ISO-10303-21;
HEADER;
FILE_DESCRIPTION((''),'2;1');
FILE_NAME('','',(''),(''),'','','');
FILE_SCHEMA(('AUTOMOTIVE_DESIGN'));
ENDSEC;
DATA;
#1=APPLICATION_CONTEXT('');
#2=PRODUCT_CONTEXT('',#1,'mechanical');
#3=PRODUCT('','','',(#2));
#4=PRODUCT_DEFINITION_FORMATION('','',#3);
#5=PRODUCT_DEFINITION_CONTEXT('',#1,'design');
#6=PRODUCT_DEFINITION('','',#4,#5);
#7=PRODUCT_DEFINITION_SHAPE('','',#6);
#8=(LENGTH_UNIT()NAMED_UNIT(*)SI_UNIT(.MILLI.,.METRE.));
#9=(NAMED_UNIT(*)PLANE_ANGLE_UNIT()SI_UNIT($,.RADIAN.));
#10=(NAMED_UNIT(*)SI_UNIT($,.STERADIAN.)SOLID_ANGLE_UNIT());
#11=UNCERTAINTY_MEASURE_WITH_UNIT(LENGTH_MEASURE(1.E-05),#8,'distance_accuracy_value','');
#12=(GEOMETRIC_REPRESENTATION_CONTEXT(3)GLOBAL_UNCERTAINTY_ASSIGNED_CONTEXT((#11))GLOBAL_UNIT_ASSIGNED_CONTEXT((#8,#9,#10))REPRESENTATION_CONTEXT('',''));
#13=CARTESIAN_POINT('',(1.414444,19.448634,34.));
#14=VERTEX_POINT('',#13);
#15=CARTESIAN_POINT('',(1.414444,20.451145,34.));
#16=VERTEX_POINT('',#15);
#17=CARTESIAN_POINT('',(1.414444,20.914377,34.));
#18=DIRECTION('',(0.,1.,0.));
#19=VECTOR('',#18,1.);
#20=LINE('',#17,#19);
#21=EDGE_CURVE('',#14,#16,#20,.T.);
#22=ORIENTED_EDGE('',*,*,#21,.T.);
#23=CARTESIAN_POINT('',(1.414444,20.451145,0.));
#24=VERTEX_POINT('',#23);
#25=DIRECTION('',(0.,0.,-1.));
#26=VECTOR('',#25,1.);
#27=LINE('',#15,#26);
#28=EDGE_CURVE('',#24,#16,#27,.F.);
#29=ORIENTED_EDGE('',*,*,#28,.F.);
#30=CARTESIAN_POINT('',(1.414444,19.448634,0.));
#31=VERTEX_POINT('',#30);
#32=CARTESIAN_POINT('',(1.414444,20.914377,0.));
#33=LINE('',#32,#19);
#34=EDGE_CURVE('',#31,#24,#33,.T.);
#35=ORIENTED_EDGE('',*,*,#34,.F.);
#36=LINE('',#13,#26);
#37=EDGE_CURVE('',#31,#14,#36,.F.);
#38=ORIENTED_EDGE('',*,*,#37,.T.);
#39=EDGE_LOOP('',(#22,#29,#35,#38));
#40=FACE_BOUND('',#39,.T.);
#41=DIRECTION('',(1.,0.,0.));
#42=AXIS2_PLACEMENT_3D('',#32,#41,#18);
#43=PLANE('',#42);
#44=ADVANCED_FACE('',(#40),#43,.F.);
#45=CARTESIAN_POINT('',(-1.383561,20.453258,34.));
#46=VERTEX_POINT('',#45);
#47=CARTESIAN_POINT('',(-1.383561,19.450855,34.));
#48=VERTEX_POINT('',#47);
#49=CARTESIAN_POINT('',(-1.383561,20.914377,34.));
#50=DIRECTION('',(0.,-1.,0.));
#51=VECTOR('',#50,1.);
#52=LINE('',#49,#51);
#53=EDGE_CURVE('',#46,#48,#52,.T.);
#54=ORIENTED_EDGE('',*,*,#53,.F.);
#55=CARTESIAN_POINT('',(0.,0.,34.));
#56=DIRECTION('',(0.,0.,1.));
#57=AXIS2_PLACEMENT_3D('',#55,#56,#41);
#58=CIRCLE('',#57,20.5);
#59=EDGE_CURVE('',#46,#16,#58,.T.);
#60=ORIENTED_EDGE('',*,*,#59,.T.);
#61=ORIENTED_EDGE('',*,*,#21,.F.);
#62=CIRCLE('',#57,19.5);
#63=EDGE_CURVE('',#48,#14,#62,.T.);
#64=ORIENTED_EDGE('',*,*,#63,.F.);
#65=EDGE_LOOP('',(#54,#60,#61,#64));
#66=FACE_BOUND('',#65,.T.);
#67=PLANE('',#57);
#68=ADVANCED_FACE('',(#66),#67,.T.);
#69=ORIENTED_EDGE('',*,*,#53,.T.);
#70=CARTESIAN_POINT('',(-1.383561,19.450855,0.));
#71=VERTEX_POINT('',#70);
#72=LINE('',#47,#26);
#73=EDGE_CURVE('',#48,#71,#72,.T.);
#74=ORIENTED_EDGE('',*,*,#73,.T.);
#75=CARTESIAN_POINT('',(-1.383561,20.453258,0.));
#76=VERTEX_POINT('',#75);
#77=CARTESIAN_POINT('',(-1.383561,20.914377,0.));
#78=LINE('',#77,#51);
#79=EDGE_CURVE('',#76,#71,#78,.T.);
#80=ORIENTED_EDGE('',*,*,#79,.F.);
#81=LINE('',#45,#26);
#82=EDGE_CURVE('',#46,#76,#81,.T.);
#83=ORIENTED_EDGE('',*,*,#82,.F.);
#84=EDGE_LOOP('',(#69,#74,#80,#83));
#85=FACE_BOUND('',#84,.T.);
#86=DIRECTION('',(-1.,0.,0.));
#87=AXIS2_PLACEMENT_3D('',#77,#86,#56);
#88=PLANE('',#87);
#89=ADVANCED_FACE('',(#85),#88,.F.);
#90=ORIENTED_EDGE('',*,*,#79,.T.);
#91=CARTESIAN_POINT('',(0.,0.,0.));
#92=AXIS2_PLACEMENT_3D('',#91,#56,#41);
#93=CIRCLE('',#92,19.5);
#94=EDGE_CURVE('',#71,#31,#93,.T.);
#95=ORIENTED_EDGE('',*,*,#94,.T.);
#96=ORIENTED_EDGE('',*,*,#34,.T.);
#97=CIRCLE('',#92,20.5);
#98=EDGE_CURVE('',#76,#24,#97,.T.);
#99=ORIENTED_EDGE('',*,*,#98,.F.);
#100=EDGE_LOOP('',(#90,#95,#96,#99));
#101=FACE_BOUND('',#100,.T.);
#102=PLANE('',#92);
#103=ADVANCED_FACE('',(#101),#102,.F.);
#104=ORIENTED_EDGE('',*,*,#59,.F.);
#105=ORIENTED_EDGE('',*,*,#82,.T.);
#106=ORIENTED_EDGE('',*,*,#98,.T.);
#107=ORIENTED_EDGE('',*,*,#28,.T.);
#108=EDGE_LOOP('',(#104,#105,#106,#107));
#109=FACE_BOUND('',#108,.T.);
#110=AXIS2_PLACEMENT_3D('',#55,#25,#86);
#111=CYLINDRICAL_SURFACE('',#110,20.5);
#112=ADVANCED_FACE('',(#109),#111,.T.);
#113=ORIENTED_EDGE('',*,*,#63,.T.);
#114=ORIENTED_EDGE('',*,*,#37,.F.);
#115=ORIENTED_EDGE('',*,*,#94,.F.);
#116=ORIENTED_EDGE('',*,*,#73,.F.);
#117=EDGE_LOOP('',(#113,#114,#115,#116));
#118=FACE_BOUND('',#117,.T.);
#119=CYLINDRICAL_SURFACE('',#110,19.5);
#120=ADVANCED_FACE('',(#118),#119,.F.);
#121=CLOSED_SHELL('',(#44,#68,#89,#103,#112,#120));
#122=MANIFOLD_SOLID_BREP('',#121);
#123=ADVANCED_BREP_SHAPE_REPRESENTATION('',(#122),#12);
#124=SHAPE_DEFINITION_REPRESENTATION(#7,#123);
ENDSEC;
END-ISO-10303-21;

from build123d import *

# Parameters (mm, degrees)
SKETCH1_R           = 20.5
SKETCH1_R_2         = 19.5
BOSS_EXTRUDE1_DEPTH = 34
SKETCH2_W           = 2.79800491
SKETCH2_H           = 1.698963444
CUT_EXTRUDE1_DEPTH  = 35


with BuildPart() as part:
    # Sketch1 → Boss-Extrude1 (new body)
    with BuildSketch(Plane.XY):
        Circle(SKETCH1_R)
        Circle(SKETCH1_R_2, mode=Mode.SUBTRACT)
    extrude(amount=BOSS_EXTRUDE1_DEPTH)

    # Sketch2 → Cut-Extrude1 (cut, through all)
    with BuildSketch(Plane.XY.offset(34)):
        with Locations((0.015441627, 20.064895184)):
            Rectangle(SKETCH2_W, SKETCH2_H)
    extrude(amount=-CUT_EXTRUDE1_DEPTH, mode=Mode.SUBTRACT)


solid = part.part
